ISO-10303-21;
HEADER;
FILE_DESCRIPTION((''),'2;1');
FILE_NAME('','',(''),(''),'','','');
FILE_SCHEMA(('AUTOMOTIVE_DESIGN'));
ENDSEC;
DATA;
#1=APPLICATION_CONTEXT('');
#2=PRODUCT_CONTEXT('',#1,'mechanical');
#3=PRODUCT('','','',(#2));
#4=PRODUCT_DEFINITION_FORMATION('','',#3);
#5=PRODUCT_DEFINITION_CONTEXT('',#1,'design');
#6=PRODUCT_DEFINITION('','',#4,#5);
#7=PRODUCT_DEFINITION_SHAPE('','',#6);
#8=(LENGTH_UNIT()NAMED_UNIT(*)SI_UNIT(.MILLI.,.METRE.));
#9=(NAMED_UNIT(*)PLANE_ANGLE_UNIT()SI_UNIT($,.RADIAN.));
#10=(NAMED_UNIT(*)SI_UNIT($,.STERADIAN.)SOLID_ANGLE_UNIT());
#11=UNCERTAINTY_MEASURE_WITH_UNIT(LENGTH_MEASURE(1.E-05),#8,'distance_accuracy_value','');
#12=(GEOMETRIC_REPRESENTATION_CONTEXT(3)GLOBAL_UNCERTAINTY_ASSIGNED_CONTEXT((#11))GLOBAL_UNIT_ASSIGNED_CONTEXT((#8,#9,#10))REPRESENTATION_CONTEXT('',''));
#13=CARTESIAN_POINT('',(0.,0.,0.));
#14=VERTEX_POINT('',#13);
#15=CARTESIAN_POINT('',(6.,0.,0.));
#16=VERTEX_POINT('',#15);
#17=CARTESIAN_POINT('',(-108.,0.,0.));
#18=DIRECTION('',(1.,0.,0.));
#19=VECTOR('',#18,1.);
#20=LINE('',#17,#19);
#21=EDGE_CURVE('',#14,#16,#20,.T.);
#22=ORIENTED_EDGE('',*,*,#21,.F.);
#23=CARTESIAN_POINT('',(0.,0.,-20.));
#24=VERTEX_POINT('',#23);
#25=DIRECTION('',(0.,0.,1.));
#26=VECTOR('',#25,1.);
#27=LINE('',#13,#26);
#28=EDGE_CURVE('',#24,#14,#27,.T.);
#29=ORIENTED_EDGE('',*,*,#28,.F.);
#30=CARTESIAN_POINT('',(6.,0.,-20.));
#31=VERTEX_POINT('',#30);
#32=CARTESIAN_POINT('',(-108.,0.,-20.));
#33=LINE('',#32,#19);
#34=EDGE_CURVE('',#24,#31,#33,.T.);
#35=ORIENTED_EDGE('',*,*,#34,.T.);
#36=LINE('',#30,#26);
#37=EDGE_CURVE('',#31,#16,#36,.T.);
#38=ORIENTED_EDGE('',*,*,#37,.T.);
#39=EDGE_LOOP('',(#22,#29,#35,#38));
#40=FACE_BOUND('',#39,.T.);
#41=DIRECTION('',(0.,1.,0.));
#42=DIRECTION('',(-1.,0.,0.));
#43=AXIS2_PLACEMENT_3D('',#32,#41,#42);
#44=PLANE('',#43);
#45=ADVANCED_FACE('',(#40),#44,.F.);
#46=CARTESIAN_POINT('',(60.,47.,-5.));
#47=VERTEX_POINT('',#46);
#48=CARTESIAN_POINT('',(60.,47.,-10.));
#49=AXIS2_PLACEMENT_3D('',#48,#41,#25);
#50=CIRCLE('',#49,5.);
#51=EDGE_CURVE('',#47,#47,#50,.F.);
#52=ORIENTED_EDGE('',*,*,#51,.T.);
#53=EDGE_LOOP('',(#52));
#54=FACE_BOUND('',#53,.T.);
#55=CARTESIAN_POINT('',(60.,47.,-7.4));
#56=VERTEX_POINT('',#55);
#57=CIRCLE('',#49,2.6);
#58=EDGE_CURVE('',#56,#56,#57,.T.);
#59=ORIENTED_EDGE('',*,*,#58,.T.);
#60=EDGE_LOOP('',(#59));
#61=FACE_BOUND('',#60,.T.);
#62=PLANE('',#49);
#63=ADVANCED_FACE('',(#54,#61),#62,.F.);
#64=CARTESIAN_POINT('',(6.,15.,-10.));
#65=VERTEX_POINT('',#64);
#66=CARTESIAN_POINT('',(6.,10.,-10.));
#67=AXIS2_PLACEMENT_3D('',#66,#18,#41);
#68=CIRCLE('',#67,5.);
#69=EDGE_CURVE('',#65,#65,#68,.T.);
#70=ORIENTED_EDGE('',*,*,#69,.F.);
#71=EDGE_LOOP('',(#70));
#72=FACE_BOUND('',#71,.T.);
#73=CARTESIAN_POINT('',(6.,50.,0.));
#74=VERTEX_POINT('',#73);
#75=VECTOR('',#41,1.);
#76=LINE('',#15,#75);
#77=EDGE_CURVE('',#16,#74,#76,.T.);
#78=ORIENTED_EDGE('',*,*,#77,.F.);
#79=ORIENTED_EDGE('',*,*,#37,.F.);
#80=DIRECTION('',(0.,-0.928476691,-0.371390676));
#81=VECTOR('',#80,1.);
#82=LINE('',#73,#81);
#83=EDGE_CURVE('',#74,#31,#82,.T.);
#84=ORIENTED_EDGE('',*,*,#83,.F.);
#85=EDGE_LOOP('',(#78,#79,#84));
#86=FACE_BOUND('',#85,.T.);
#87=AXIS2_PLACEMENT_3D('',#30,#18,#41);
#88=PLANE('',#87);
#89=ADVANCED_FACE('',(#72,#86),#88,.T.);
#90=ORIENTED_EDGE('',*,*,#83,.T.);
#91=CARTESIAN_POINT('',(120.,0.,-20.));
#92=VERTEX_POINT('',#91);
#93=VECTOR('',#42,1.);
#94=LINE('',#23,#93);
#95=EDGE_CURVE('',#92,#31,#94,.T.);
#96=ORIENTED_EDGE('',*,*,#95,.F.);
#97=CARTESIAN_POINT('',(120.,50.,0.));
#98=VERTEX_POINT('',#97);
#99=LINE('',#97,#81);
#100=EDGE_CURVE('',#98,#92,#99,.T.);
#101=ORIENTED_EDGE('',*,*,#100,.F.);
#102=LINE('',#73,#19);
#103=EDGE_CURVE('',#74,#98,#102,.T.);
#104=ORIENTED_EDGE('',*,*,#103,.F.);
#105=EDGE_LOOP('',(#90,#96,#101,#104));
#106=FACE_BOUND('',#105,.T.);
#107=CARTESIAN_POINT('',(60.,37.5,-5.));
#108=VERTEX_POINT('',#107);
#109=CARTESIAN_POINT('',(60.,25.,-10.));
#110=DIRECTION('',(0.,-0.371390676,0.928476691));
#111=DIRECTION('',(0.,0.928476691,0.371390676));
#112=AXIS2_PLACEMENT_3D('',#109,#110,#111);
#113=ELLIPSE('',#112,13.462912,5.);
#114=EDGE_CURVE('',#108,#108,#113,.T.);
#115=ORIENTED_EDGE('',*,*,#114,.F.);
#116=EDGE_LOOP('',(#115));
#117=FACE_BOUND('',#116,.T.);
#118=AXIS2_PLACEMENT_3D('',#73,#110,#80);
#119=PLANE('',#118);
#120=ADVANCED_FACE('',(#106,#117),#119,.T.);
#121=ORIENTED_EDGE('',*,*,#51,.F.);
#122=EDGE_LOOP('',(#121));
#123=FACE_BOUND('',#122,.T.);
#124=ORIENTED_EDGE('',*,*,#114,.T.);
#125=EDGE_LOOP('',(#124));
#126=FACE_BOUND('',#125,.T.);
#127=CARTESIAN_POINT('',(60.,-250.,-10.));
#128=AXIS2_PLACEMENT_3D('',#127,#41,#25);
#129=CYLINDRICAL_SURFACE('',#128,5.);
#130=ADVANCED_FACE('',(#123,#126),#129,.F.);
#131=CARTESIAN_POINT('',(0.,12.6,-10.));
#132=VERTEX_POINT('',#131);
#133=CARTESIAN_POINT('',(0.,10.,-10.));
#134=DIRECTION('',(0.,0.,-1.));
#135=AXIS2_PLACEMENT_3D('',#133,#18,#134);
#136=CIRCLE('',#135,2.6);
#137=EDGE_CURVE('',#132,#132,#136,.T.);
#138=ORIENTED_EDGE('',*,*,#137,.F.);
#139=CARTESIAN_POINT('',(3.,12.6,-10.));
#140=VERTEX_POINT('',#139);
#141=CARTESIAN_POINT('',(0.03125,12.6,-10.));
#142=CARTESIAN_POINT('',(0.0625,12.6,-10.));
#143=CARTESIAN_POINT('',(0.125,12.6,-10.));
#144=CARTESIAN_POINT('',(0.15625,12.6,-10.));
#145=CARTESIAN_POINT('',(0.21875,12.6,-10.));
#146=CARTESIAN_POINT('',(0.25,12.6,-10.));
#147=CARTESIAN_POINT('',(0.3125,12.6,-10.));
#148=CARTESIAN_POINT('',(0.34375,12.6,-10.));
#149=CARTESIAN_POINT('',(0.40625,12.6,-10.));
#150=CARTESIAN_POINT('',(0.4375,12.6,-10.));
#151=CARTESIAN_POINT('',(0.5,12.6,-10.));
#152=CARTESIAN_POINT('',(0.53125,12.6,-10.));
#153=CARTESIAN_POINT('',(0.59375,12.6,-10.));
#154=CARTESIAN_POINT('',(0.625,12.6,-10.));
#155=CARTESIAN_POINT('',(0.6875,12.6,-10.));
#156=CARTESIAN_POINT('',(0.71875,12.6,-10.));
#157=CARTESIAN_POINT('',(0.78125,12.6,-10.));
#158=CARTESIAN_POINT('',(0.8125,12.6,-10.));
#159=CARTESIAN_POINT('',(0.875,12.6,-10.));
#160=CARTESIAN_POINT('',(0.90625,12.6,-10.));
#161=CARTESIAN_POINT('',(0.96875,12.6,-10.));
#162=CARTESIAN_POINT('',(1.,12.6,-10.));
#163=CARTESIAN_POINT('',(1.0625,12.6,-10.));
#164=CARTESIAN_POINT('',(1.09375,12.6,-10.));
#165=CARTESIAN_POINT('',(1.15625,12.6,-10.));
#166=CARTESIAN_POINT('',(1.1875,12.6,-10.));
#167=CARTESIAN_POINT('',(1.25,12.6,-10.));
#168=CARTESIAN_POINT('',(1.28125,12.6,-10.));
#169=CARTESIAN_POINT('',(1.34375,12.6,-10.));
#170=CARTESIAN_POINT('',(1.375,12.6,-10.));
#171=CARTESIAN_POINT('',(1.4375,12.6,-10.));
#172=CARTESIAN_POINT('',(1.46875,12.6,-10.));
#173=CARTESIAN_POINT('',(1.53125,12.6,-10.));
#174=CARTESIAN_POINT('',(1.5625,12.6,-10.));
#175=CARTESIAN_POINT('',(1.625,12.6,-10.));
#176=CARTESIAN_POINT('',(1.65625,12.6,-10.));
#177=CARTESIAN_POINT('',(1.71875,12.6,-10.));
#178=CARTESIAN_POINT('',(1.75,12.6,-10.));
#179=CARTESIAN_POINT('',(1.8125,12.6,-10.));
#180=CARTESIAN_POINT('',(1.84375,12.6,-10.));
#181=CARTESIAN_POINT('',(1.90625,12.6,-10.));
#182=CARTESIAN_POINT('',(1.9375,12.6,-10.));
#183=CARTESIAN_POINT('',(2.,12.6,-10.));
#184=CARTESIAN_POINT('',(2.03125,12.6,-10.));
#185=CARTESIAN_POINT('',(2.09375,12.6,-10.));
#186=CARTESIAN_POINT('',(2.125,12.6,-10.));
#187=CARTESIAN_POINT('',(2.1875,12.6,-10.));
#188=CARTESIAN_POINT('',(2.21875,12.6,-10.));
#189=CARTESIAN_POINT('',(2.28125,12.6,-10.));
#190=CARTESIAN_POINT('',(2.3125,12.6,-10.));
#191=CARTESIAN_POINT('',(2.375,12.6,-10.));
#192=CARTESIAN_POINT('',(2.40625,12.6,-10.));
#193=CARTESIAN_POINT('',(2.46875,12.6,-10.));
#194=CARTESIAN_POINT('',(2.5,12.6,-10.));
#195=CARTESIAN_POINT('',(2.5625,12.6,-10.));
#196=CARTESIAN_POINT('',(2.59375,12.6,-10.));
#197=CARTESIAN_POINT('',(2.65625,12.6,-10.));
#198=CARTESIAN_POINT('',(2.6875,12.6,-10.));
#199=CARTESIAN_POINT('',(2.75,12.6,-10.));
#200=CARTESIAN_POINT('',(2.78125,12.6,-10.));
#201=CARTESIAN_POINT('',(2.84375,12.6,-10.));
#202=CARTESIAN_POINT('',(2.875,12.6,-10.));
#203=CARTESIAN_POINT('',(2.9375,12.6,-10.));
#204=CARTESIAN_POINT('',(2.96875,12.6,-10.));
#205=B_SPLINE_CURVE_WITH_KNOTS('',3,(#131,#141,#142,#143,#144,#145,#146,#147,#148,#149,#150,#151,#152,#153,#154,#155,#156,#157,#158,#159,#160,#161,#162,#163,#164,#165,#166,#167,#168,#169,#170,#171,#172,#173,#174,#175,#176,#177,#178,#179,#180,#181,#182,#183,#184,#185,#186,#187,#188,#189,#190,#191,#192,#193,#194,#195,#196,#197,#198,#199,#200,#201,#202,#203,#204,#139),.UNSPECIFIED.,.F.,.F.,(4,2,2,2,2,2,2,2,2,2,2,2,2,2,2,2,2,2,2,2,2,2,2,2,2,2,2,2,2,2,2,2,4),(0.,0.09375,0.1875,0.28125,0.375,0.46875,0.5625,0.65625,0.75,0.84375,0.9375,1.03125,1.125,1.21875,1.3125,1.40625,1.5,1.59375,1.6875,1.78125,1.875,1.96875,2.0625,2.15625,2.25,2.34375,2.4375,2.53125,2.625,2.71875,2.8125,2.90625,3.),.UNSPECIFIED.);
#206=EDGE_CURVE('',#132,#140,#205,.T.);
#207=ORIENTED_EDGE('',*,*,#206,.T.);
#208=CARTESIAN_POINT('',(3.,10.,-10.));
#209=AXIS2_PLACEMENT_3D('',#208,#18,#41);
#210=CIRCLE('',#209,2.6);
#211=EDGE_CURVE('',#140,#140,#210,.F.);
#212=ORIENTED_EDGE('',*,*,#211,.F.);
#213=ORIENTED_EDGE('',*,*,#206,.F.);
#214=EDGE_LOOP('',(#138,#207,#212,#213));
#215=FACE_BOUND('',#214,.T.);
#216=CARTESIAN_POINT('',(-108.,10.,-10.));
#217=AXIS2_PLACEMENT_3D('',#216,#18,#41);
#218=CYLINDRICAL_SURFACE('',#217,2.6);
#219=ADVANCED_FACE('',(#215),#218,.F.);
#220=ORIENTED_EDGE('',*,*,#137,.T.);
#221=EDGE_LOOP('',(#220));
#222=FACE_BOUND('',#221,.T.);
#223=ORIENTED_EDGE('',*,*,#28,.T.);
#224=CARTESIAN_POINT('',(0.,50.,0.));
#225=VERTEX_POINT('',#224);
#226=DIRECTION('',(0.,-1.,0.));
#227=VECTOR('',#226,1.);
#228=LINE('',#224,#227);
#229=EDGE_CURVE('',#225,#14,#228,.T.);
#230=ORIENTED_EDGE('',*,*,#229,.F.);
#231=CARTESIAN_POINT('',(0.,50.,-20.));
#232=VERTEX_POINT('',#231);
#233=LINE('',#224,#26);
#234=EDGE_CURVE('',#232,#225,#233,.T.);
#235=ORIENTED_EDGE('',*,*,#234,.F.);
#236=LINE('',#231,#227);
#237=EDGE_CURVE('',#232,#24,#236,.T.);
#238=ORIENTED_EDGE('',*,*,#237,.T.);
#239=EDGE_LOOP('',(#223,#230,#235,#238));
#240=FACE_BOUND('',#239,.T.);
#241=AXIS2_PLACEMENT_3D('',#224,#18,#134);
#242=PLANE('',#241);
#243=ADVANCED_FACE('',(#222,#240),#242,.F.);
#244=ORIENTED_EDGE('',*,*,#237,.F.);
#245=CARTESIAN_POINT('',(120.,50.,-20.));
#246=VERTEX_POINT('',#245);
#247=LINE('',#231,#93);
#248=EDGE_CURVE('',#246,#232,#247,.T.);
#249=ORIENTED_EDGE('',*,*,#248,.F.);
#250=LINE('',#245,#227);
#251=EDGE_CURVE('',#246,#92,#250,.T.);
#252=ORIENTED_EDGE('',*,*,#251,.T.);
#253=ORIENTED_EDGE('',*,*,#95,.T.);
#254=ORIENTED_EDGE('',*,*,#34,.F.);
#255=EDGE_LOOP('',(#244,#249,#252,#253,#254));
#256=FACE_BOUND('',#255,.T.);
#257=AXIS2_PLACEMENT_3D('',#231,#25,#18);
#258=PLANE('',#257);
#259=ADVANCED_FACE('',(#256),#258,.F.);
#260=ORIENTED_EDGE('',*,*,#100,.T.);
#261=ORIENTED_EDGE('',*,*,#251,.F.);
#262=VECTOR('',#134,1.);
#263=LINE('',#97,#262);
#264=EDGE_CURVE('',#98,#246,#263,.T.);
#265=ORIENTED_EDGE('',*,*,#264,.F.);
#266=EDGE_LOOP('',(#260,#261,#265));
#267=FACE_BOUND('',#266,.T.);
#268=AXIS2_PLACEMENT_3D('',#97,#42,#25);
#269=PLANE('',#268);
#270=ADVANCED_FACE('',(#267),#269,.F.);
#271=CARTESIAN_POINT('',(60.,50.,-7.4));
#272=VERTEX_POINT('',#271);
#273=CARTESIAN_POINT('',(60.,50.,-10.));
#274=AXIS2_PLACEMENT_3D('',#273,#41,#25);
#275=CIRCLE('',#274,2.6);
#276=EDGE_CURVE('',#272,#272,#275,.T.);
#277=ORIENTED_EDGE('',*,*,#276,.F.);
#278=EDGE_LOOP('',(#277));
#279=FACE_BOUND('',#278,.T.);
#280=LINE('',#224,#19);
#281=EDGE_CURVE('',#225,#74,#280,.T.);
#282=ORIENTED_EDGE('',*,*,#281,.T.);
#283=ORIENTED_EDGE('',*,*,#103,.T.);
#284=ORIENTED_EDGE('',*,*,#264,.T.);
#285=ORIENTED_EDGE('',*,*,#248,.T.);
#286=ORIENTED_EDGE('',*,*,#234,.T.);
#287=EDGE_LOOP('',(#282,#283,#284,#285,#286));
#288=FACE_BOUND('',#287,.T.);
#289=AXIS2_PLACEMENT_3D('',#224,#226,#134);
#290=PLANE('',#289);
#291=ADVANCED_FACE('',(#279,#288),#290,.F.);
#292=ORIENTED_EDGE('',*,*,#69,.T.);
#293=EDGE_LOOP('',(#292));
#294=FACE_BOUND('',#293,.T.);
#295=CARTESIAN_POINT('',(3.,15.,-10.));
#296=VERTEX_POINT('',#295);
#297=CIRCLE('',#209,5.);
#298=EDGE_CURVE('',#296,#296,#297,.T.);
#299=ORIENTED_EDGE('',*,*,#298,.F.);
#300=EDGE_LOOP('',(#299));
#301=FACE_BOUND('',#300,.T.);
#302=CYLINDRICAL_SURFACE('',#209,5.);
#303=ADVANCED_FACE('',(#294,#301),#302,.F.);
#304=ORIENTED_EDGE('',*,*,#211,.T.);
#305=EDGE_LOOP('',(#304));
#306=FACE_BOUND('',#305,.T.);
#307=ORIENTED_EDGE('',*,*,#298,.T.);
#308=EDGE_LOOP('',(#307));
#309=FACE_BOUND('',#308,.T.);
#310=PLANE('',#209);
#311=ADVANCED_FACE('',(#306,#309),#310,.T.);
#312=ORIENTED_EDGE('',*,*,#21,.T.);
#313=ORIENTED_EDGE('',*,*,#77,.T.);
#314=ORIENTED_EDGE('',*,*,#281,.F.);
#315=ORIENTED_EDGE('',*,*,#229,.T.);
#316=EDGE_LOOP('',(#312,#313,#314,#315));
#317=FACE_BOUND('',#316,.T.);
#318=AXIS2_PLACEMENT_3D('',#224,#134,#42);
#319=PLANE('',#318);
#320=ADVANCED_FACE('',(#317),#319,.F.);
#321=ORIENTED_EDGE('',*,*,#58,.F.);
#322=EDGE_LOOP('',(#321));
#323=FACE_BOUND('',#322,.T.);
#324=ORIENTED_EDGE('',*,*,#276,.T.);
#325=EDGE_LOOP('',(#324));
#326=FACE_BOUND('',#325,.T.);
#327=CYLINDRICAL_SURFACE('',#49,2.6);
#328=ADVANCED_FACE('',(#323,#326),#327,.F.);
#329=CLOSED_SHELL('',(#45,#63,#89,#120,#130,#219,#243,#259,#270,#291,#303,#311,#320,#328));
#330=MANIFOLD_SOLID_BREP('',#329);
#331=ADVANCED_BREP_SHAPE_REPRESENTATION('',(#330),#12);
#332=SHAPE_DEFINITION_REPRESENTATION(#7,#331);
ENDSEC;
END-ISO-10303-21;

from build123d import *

# Parameters (mm, degrees)
SKETCH_1_W          = 120
SKETCH_1_H          = 20
EXTRUDE_1_DEPTH     = 50
SKETCH_2_W          = 6
SKETCH_2_H          = 20
EXTRUDE_2_DEPTH     = 20
CUT_EXTRUDE_1_DEPTH = 114
SKETCH_4_R          = 2.6
SKETCH_4_W          = 20
SKETCH_4_H          = 20
CUT_EXTRUDE_2_DEPTH = 114
SKETCH_5_R          = 5
CUT_EXTRUDE_3_DEPTH = 3
CUT_EXTRUDE_4_DEPTH = 300
SKETCH_8_R          = 5
CUT_EXTRUDE_5_DEPTH = 300
SKETCH_9_R          = 5
SKETCH_9_R_2        = 2.6
EXTRUDE_3_DEPTH     = 3


with BuildPart() as part:
    # 草图1 → 凸台-拉伸1 (new body)
    with BuildSketch(Plane(origin=(0, 0, 0), x_dir=(1, 0, 0), z_dir=(0, 1, 0))):
        with Locations((60, 10)):
            Rectangle(SKETCH_1_W, SKETCH_1_H)
    extrude(amount=EXTRUDE_1_DEPTH)

    # 草图2 → 凸台-拉伸2 (add)
    with BuildSketch(Plane.XY):
        with Locations((3, -10)):
            Rectangle(SKETCH_2_W, SKETCH_2_H)
    extrude(amount=-EXTRUDE_2_DEPTH)

    # 草图3 → 切除-拉伸1 (cut)
    with BuildSketch(Plane(origin=(120, 0, 0), x_dir=(0, 0, -1), z_dir=(1, 0, 0))):
        Polygon((0, 50), (20, 0), (0, 0), align=None)
    extrude(amount=-CUT_EXTRUDE_1_DEPTH, mode=Mode.SUBTRACT)

    # 草图4 → 切除-拉伸2 (cut)
    with BuildSketch(Plane(origin=(6, 0, 0), x_dir=(0, 0, -1), z_dir=(1, 0, 0))):
        with Locations(Location((10, 10, 0), (0, 0, 90))):
            Circle(SKETCH_4_R)
        with Locations((10, -10)):
            Rectangle(SKETCH_4_W, SKETCH_4_H)
    extrude(amount=-CUT_EXTRUDE_2_DEPTH, mode=Mode.SUBTRACT)

    # 草图5 → 切除-拉伸3 (cut)
    with BuildSketch(Plane(origin=(6, 0, 0), x_dir=(0, 0, -1), z_dir=(1, 0, 0))):
        with Locations(Location((10, 10, 0), (0, 0, 90))):
            Circle(SKETCH_5_R)
    extrude(amount=-CUT_EXTRUDE_3_DEPTH, mode=Mode.SUBTRACT)

    # 草图6 → 切除-拉伸4 (cut)
    with BuildSketch(Plane(origin=(0, 50, 0), x_dir=(1, 0, 0), z_dir=(0, 1, 0))):
        with BuildLine():
            ThreePointArc((62.6, 10), (61.838477631, 11.838477631), (60, 12.6))
            Line((60, 12.6), (60, 7.4))
            ThreePointArc((60, 7.4), (61.838477631, 8.161522369), (62.6, 10))
        make_face()
        with BuildLine():
            Line((60, 7.4), (60, 12.6))
            ThreePointArc((60, 12.6), (57.4, 10), (60, 7.4))
        make_face()
    extrude(amount=-CUT_EXTRUDE_4_DEPTH, mode=Mode.SUBTRACT)

    # 草图8 → 切除-拉伸5 (cut)
    with BuildSketch(Plane(origin=(0, 50, 0), x_dir=(1, 0, 0), z_dir=(0, 1, 0))):
        with Locations(Location((60, 10, 0), (0, 0, 270))):
            Circle(SKETCH_8_R)
    extrude(amount=-CUT_EXTRUDE_5_DEPTH, mode=Mode.SUBTRACT)

    # 草图9 → 凸台-拉伸3 (add)
    with BuildSketch(Plane(origin=(0, 50, 0), x_dir=(1, 0, 0), z_dir=(0, 1, 0))):
        with Locations(Location((60, 10, 0), (0, 0, 270))):
            Circle(SKETCH_9_R)
        with Locations(Location((60, 10, 0), (0, 0, 270))):
            Circle(SKETCH_9_R_2, mode=Mode.SUBTRACT)
    extrude(amount=-EXTRUDE_3_DEPTH)


solid = part.part
